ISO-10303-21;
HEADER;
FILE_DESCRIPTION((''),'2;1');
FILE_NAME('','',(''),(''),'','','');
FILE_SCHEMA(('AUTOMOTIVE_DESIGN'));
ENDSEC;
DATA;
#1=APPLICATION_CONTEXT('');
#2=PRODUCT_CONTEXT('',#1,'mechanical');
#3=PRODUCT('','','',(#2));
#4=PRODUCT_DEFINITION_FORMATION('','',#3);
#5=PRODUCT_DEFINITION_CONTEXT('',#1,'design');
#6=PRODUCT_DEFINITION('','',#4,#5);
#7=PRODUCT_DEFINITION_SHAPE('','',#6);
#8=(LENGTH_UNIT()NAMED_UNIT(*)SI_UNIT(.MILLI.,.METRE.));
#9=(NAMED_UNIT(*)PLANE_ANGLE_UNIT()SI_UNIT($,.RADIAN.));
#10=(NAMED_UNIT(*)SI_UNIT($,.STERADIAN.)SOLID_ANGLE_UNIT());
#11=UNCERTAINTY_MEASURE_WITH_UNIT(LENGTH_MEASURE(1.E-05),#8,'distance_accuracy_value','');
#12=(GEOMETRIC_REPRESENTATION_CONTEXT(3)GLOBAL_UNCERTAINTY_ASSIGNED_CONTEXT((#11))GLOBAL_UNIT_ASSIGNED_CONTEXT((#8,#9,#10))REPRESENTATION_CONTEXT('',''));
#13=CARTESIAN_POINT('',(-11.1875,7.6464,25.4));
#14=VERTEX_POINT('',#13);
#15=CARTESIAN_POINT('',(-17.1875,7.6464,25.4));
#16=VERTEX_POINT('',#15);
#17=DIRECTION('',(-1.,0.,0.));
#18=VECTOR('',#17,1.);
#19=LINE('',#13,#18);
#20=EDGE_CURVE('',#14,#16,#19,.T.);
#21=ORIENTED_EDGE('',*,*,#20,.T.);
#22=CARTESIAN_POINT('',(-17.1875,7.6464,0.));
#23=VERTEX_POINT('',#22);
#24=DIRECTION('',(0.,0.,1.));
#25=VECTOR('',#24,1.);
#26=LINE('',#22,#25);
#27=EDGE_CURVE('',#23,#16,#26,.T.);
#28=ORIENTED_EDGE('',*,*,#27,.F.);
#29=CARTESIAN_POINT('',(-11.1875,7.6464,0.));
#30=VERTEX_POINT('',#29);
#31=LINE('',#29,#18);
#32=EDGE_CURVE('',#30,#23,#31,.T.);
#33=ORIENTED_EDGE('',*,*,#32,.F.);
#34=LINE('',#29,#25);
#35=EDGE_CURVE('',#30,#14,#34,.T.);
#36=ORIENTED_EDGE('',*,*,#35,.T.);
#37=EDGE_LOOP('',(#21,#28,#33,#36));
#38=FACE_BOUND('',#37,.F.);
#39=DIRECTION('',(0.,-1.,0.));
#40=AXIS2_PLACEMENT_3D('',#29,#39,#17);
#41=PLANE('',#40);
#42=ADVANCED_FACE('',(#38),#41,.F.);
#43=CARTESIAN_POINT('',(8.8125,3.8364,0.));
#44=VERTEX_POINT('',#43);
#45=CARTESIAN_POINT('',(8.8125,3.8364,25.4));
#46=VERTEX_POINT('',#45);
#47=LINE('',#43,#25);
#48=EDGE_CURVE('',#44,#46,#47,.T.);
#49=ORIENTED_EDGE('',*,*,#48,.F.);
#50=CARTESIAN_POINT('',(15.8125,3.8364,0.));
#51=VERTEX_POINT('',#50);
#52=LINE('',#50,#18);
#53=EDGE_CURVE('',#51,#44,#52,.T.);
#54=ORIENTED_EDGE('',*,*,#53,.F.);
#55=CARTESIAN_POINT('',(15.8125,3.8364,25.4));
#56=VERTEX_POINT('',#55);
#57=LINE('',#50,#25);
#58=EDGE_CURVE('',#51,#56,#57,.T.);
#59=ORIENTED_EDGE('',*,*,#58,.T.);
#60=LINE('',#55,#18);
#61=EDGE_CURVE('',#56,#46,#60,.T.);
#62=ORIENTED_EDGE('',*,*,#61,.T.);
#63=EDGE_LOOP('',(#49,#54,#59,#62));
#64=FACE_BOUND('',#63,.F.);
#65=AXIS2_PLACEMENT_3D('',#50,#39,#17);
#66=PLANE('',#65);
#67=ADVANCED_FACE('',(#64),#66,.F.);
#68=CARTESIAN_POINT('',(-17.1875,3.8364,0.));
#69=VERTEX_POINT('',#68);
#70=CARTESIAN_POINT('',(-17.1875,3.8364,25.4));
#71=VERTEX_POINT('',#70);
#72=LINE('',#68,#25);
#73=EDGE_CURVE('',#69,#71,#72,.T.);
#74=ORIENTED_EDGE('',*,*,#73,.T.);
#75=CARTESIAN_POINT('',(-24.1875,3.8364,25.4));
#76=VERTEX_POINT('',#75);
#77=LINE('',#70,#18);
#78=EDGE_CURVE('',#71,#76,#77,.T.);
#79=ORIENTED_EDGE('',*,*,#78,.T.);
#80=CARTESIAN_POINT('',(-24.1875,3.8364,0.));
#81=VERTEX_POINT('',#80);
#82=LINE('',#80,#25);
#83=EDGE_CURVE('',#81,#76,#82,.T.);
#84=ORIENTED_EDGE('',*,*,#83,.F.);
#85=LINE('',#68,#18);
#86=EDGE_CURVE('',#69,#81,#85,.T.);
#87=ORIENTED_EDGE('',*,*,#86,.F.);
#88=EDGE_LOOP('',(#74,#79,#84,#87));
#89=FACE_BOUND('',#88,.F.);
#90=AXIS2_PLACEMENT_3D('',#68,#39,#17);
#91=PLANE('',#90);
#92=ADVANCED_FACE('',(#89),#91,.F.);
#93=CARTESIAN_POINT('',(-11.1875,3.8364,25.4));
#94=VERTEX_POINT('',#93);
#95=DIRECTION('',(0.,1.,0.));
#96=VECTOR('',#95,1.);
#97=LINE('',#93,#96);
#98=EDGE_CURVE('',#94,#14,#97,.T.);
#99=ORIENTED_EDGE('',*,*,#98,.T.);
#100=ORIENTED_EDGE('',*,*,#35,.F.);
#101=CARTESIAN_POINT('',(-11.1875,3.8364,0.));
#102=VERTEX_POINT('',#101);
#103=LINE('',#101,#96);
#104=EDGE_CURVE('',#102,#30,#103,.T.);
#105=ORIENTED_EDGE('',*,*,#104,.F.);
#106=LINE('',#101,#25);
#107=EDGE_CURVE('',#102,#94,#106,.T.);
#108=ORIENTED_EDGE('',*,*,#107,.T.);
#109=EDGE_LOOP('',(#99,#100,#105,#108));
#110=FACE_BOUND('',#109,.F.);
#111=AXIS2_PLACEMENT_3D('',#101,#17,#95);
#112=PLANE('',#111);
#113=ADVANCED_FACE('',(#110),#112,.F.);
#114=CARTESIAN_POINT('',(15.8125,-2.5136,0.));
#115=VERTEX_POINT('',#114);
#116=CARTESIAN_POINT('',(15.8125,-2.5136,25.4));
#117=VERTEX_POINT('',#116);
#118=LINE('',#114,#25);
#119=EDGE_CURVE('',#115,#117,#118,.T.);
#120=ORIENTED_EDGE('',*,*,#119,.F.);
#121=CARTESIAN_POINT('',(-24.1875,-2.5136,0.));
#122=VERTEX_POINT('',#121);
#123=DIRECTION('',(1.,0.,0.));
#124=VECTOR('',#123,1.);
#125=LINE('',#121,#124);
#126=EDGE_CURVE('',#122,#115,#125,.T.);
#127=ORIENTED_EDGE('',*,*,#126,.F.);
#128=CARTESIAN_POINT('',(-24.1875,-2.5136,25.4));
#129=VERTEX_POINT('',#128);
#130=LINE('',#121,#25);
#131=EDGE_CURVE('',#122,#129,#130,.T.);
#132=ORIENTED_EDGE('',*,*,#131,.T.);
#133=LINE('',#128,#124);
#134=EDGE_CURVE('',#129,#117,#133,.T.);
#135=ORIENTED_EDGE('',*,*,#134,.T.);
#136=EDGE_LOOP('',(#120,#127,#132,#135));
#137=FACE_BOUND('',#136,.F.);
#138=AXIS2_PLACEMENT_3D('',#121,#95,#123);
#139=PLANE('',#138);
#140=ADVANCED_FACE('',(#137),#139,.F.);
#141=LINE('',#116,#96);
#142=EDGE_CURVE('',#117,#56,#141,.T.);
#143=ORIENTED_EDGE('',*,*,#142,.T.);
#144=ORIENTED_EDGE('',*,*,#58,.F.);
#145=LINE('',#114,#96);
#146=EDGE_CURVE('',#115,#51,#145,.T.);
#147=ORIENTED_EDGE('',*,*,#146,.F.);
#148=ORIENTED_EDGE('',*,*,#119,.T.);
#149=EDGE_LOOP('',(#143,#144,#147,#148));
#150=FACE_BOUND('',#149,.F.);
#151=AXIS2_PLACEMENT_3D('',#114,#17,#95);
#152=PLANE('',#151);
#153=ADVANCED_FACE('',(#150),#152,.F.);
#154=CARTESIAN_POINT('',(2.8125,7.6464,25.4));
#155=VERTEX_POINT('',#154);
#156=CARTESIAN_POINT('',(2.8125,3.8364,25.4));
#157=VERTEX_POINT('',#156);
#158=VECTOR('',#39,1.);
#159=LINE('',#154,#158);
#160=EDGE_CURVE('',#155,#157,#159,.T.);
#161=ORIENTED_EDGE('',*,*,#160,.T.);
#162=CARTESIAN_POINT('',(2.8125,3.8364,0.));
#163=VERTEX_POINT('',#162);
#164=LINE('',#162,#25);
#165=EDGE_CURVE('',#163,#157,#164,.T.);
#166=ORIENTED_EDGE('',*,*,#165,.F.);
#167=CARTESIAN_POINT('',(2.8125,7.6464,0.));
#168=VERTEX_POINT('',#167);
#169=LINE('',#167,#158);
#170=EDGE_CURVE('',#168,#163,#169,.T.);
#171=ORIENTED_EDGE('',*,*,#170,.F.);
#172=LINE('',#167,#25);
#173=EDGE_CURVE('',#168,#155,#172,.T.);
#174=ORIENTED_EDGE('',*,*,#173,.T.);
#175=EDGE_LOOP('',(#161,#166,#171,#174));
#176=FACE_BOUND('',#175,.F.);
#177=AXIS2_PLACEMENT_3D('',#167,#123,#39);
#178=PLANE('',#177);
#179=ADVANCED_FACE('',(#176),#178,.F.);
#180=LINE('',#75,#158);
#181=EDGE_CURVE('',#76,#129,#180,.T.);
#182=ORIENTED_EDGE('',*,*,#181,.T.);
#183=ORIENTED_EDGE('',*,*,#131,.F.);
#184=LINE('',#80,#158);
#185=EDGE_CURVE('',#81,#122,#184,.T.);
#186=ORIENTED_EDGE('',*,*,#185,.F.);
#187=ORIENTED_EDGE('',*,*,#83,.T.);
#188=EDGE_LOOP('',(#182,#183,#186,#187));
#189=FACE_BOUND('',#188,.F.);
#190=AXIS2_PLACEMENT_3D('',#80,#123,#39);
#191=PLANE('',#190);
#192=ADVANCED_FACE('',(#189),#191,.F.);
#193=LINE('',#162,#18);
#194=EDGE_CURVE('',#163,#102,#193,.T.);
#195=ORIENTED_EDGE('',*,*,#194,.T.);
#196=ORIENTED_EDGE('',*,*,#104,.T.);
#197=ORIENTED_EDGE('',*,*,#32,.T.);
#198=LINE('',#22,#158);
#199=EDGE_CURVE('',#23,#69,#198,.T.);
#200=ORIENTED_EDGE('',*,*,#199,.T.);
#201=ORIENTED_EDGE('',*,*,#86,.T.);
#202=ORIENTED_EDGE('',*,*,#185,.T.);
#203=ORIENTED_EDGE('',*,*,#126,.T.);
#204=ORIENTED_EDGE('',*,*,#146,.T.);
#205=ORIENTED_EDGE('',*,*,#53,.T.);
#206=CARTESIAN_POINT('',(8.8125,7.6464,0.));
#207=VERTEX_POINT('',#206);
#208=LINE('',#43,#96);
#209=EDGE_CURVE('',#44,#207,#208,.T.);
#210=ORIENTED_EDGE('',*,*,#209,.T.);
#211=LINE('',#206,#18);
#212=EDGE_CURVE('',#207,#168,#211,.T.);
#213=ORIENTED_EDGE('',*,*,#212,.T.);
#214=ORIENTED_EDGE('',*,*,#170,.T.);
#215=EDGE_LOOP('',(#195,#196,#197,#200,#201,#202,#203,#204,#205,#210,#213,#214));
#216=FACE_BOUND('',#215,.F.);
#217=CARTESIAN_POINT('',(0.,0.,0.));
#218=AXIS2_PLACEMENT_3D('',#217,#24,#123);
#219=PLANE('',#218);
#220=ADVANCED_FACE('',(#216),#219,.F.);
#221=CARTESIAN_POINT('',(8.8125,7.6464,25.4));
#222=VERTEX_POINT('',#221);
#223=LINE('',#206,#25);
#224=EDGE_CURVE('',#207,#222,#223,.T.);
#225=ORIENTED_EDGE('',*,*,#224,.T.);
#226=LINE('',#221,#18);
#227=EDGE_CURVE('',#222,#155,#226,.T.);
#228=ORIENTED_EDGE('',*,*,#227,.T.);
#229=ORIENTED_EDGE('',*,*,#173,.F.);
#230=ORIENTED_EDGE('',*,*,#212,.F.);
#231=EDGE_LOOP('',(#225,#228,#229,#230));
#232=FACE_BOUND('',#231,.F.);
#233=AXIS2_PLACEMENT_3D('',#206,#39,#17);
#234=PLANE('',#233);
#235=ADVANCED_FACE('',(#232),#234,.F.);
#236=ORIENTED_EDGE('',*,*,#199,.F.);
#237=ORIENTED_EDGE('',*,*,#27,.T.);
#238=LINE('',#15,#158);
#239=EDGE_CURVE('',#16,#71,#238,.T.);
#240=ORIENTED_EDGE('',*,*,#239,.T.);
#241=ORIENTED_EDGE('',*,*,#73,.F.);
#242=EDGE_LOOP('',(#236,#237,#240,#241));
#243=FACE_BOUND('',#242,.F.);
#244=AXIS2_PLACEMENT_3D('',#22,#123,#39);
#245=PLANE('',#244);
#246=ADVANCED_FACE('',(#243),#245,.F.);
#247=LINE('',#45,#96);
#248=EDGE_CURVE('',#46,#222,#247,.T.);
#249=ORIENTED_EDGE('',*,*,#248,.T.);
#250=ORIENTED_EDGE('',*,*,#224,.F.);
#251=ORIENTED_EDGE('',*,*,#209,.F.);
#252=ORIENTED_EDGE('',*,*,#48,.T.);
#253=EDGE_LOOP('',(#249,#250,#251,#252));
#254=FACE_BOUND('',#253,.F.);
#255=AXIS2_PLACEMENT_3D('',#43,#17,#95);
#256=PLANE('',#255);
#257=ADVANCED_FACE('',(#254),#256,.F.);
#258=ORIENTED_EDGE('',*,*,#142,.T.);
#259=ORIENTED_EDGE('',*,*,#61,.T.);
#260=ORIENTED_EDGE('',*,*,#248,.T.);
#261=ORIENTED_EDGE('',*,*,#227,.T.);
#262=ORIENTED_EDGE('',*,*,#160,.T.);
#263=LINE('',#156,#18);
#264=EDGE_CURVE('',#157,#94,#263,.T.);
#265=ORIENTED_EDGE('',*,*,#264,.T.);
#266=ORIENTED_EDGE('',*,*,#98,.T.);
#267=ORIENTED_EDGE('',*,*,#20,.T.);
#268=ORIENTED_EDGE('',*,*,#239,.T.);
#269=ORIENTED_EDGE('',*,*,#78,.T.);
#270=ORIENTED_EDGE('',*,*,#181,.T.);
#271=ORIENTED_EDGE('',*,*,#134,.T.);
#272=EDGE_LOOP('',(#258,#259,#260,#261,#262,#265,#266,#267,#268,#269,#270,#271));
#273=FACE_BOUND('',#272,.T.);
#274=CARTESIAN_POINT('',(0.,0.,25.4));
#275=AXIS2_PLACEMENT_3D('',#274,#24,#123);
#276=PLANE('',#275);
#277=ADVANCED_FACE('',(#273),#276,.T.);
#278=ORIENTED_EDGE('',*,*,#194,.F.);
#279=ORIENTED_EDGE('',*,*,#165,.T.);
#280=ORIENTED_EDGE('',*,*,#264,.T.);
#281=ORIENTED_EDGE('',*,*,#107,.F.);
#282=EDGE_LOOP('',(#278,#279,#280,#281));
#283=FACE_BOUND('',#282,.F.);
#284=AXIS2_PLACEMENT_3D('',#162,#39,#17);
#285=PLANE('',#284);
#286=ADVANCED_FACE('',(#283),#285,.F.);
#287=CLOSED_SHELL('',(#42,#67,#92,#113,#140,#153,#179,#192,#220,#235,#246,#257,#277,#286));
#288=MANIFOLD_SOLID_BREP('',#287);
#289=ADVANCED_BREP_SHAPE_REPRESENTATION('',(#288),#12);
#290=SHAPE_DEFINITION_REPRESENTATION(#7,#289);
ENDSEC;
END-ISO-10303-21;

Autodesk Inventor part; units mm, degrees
ref_plane "YZ Plane" through (0, 0, 0) normal (1, 0, 0) x (0, 1, 0)
ref_plane "XZ Plane" through (0, 0, 0) normal (0, 1, 0) x (-1, 0, 0)
ref_plane "XY Plane" through (0, 0, 0) normal (0, 0, 1) x (1, 0, 0)
sketch "Sketch1" plane through (0, 0, 0) normal (0, 0, 1) x (1, 0, 0)
  line L0 (-24.1875, -2.5136) -> (15.8125, -2.5136)
  line L1 (15.8125, -2.5136) -> (15.8125, 3.8364)
  line L2 (-24.1875, 3.8364) -> (-24.1875, -2.5136)
  line L3 (-11.1875, 3.8364) -> (-11.1875, 7.6464)
  line L4 (-11.1875, 7.6464) -> (-17.1875, 7.6464)
  line L5 (-17.1875, 7.6464) -> (-17.1875, 3.8364)
  line L6 (-17.1875, 3.8364) -> (-24.1875, 3.8364)
  line L7 (8.8125, 3.8364) -> (8.8125, 7.6464)
  line L8 (8.8125, 7.6464) -> (2.8125, 7.6464)
  line L9 (2.8125, 7.6464) -> (2.8125, 3.8364)
  line L10 (15.8125, 3.8364) -> (8.8125, 3.8364)
  line L11 (2.8125, 3.8364) -> (-11.1875, 3.8364)
  point P0 (0, 0)
  dimension "d0" = 40
  dimension "d1" = 6.35
  dimension "d2" = 6
  dimension "d3" = 3.81
  dimension "d4" = 7
  dimension "d5" = 6
  dimension "d6" = 3.81
  dimension "d7" = 7
extrude "Extrusion1" add sketch "Sketch1" along normal blind 25.4
ref_plane "Work Plane1" through (5.8125, 3.8364, 0) normal (1, 0, 0) x (0, 0, -1)
ref_plane "Work Plane2" through (-14.1875, 3.8364, 0) normal (1, 0, 0) x (0, 0, -1)
properties part number "Lift Spacer"
